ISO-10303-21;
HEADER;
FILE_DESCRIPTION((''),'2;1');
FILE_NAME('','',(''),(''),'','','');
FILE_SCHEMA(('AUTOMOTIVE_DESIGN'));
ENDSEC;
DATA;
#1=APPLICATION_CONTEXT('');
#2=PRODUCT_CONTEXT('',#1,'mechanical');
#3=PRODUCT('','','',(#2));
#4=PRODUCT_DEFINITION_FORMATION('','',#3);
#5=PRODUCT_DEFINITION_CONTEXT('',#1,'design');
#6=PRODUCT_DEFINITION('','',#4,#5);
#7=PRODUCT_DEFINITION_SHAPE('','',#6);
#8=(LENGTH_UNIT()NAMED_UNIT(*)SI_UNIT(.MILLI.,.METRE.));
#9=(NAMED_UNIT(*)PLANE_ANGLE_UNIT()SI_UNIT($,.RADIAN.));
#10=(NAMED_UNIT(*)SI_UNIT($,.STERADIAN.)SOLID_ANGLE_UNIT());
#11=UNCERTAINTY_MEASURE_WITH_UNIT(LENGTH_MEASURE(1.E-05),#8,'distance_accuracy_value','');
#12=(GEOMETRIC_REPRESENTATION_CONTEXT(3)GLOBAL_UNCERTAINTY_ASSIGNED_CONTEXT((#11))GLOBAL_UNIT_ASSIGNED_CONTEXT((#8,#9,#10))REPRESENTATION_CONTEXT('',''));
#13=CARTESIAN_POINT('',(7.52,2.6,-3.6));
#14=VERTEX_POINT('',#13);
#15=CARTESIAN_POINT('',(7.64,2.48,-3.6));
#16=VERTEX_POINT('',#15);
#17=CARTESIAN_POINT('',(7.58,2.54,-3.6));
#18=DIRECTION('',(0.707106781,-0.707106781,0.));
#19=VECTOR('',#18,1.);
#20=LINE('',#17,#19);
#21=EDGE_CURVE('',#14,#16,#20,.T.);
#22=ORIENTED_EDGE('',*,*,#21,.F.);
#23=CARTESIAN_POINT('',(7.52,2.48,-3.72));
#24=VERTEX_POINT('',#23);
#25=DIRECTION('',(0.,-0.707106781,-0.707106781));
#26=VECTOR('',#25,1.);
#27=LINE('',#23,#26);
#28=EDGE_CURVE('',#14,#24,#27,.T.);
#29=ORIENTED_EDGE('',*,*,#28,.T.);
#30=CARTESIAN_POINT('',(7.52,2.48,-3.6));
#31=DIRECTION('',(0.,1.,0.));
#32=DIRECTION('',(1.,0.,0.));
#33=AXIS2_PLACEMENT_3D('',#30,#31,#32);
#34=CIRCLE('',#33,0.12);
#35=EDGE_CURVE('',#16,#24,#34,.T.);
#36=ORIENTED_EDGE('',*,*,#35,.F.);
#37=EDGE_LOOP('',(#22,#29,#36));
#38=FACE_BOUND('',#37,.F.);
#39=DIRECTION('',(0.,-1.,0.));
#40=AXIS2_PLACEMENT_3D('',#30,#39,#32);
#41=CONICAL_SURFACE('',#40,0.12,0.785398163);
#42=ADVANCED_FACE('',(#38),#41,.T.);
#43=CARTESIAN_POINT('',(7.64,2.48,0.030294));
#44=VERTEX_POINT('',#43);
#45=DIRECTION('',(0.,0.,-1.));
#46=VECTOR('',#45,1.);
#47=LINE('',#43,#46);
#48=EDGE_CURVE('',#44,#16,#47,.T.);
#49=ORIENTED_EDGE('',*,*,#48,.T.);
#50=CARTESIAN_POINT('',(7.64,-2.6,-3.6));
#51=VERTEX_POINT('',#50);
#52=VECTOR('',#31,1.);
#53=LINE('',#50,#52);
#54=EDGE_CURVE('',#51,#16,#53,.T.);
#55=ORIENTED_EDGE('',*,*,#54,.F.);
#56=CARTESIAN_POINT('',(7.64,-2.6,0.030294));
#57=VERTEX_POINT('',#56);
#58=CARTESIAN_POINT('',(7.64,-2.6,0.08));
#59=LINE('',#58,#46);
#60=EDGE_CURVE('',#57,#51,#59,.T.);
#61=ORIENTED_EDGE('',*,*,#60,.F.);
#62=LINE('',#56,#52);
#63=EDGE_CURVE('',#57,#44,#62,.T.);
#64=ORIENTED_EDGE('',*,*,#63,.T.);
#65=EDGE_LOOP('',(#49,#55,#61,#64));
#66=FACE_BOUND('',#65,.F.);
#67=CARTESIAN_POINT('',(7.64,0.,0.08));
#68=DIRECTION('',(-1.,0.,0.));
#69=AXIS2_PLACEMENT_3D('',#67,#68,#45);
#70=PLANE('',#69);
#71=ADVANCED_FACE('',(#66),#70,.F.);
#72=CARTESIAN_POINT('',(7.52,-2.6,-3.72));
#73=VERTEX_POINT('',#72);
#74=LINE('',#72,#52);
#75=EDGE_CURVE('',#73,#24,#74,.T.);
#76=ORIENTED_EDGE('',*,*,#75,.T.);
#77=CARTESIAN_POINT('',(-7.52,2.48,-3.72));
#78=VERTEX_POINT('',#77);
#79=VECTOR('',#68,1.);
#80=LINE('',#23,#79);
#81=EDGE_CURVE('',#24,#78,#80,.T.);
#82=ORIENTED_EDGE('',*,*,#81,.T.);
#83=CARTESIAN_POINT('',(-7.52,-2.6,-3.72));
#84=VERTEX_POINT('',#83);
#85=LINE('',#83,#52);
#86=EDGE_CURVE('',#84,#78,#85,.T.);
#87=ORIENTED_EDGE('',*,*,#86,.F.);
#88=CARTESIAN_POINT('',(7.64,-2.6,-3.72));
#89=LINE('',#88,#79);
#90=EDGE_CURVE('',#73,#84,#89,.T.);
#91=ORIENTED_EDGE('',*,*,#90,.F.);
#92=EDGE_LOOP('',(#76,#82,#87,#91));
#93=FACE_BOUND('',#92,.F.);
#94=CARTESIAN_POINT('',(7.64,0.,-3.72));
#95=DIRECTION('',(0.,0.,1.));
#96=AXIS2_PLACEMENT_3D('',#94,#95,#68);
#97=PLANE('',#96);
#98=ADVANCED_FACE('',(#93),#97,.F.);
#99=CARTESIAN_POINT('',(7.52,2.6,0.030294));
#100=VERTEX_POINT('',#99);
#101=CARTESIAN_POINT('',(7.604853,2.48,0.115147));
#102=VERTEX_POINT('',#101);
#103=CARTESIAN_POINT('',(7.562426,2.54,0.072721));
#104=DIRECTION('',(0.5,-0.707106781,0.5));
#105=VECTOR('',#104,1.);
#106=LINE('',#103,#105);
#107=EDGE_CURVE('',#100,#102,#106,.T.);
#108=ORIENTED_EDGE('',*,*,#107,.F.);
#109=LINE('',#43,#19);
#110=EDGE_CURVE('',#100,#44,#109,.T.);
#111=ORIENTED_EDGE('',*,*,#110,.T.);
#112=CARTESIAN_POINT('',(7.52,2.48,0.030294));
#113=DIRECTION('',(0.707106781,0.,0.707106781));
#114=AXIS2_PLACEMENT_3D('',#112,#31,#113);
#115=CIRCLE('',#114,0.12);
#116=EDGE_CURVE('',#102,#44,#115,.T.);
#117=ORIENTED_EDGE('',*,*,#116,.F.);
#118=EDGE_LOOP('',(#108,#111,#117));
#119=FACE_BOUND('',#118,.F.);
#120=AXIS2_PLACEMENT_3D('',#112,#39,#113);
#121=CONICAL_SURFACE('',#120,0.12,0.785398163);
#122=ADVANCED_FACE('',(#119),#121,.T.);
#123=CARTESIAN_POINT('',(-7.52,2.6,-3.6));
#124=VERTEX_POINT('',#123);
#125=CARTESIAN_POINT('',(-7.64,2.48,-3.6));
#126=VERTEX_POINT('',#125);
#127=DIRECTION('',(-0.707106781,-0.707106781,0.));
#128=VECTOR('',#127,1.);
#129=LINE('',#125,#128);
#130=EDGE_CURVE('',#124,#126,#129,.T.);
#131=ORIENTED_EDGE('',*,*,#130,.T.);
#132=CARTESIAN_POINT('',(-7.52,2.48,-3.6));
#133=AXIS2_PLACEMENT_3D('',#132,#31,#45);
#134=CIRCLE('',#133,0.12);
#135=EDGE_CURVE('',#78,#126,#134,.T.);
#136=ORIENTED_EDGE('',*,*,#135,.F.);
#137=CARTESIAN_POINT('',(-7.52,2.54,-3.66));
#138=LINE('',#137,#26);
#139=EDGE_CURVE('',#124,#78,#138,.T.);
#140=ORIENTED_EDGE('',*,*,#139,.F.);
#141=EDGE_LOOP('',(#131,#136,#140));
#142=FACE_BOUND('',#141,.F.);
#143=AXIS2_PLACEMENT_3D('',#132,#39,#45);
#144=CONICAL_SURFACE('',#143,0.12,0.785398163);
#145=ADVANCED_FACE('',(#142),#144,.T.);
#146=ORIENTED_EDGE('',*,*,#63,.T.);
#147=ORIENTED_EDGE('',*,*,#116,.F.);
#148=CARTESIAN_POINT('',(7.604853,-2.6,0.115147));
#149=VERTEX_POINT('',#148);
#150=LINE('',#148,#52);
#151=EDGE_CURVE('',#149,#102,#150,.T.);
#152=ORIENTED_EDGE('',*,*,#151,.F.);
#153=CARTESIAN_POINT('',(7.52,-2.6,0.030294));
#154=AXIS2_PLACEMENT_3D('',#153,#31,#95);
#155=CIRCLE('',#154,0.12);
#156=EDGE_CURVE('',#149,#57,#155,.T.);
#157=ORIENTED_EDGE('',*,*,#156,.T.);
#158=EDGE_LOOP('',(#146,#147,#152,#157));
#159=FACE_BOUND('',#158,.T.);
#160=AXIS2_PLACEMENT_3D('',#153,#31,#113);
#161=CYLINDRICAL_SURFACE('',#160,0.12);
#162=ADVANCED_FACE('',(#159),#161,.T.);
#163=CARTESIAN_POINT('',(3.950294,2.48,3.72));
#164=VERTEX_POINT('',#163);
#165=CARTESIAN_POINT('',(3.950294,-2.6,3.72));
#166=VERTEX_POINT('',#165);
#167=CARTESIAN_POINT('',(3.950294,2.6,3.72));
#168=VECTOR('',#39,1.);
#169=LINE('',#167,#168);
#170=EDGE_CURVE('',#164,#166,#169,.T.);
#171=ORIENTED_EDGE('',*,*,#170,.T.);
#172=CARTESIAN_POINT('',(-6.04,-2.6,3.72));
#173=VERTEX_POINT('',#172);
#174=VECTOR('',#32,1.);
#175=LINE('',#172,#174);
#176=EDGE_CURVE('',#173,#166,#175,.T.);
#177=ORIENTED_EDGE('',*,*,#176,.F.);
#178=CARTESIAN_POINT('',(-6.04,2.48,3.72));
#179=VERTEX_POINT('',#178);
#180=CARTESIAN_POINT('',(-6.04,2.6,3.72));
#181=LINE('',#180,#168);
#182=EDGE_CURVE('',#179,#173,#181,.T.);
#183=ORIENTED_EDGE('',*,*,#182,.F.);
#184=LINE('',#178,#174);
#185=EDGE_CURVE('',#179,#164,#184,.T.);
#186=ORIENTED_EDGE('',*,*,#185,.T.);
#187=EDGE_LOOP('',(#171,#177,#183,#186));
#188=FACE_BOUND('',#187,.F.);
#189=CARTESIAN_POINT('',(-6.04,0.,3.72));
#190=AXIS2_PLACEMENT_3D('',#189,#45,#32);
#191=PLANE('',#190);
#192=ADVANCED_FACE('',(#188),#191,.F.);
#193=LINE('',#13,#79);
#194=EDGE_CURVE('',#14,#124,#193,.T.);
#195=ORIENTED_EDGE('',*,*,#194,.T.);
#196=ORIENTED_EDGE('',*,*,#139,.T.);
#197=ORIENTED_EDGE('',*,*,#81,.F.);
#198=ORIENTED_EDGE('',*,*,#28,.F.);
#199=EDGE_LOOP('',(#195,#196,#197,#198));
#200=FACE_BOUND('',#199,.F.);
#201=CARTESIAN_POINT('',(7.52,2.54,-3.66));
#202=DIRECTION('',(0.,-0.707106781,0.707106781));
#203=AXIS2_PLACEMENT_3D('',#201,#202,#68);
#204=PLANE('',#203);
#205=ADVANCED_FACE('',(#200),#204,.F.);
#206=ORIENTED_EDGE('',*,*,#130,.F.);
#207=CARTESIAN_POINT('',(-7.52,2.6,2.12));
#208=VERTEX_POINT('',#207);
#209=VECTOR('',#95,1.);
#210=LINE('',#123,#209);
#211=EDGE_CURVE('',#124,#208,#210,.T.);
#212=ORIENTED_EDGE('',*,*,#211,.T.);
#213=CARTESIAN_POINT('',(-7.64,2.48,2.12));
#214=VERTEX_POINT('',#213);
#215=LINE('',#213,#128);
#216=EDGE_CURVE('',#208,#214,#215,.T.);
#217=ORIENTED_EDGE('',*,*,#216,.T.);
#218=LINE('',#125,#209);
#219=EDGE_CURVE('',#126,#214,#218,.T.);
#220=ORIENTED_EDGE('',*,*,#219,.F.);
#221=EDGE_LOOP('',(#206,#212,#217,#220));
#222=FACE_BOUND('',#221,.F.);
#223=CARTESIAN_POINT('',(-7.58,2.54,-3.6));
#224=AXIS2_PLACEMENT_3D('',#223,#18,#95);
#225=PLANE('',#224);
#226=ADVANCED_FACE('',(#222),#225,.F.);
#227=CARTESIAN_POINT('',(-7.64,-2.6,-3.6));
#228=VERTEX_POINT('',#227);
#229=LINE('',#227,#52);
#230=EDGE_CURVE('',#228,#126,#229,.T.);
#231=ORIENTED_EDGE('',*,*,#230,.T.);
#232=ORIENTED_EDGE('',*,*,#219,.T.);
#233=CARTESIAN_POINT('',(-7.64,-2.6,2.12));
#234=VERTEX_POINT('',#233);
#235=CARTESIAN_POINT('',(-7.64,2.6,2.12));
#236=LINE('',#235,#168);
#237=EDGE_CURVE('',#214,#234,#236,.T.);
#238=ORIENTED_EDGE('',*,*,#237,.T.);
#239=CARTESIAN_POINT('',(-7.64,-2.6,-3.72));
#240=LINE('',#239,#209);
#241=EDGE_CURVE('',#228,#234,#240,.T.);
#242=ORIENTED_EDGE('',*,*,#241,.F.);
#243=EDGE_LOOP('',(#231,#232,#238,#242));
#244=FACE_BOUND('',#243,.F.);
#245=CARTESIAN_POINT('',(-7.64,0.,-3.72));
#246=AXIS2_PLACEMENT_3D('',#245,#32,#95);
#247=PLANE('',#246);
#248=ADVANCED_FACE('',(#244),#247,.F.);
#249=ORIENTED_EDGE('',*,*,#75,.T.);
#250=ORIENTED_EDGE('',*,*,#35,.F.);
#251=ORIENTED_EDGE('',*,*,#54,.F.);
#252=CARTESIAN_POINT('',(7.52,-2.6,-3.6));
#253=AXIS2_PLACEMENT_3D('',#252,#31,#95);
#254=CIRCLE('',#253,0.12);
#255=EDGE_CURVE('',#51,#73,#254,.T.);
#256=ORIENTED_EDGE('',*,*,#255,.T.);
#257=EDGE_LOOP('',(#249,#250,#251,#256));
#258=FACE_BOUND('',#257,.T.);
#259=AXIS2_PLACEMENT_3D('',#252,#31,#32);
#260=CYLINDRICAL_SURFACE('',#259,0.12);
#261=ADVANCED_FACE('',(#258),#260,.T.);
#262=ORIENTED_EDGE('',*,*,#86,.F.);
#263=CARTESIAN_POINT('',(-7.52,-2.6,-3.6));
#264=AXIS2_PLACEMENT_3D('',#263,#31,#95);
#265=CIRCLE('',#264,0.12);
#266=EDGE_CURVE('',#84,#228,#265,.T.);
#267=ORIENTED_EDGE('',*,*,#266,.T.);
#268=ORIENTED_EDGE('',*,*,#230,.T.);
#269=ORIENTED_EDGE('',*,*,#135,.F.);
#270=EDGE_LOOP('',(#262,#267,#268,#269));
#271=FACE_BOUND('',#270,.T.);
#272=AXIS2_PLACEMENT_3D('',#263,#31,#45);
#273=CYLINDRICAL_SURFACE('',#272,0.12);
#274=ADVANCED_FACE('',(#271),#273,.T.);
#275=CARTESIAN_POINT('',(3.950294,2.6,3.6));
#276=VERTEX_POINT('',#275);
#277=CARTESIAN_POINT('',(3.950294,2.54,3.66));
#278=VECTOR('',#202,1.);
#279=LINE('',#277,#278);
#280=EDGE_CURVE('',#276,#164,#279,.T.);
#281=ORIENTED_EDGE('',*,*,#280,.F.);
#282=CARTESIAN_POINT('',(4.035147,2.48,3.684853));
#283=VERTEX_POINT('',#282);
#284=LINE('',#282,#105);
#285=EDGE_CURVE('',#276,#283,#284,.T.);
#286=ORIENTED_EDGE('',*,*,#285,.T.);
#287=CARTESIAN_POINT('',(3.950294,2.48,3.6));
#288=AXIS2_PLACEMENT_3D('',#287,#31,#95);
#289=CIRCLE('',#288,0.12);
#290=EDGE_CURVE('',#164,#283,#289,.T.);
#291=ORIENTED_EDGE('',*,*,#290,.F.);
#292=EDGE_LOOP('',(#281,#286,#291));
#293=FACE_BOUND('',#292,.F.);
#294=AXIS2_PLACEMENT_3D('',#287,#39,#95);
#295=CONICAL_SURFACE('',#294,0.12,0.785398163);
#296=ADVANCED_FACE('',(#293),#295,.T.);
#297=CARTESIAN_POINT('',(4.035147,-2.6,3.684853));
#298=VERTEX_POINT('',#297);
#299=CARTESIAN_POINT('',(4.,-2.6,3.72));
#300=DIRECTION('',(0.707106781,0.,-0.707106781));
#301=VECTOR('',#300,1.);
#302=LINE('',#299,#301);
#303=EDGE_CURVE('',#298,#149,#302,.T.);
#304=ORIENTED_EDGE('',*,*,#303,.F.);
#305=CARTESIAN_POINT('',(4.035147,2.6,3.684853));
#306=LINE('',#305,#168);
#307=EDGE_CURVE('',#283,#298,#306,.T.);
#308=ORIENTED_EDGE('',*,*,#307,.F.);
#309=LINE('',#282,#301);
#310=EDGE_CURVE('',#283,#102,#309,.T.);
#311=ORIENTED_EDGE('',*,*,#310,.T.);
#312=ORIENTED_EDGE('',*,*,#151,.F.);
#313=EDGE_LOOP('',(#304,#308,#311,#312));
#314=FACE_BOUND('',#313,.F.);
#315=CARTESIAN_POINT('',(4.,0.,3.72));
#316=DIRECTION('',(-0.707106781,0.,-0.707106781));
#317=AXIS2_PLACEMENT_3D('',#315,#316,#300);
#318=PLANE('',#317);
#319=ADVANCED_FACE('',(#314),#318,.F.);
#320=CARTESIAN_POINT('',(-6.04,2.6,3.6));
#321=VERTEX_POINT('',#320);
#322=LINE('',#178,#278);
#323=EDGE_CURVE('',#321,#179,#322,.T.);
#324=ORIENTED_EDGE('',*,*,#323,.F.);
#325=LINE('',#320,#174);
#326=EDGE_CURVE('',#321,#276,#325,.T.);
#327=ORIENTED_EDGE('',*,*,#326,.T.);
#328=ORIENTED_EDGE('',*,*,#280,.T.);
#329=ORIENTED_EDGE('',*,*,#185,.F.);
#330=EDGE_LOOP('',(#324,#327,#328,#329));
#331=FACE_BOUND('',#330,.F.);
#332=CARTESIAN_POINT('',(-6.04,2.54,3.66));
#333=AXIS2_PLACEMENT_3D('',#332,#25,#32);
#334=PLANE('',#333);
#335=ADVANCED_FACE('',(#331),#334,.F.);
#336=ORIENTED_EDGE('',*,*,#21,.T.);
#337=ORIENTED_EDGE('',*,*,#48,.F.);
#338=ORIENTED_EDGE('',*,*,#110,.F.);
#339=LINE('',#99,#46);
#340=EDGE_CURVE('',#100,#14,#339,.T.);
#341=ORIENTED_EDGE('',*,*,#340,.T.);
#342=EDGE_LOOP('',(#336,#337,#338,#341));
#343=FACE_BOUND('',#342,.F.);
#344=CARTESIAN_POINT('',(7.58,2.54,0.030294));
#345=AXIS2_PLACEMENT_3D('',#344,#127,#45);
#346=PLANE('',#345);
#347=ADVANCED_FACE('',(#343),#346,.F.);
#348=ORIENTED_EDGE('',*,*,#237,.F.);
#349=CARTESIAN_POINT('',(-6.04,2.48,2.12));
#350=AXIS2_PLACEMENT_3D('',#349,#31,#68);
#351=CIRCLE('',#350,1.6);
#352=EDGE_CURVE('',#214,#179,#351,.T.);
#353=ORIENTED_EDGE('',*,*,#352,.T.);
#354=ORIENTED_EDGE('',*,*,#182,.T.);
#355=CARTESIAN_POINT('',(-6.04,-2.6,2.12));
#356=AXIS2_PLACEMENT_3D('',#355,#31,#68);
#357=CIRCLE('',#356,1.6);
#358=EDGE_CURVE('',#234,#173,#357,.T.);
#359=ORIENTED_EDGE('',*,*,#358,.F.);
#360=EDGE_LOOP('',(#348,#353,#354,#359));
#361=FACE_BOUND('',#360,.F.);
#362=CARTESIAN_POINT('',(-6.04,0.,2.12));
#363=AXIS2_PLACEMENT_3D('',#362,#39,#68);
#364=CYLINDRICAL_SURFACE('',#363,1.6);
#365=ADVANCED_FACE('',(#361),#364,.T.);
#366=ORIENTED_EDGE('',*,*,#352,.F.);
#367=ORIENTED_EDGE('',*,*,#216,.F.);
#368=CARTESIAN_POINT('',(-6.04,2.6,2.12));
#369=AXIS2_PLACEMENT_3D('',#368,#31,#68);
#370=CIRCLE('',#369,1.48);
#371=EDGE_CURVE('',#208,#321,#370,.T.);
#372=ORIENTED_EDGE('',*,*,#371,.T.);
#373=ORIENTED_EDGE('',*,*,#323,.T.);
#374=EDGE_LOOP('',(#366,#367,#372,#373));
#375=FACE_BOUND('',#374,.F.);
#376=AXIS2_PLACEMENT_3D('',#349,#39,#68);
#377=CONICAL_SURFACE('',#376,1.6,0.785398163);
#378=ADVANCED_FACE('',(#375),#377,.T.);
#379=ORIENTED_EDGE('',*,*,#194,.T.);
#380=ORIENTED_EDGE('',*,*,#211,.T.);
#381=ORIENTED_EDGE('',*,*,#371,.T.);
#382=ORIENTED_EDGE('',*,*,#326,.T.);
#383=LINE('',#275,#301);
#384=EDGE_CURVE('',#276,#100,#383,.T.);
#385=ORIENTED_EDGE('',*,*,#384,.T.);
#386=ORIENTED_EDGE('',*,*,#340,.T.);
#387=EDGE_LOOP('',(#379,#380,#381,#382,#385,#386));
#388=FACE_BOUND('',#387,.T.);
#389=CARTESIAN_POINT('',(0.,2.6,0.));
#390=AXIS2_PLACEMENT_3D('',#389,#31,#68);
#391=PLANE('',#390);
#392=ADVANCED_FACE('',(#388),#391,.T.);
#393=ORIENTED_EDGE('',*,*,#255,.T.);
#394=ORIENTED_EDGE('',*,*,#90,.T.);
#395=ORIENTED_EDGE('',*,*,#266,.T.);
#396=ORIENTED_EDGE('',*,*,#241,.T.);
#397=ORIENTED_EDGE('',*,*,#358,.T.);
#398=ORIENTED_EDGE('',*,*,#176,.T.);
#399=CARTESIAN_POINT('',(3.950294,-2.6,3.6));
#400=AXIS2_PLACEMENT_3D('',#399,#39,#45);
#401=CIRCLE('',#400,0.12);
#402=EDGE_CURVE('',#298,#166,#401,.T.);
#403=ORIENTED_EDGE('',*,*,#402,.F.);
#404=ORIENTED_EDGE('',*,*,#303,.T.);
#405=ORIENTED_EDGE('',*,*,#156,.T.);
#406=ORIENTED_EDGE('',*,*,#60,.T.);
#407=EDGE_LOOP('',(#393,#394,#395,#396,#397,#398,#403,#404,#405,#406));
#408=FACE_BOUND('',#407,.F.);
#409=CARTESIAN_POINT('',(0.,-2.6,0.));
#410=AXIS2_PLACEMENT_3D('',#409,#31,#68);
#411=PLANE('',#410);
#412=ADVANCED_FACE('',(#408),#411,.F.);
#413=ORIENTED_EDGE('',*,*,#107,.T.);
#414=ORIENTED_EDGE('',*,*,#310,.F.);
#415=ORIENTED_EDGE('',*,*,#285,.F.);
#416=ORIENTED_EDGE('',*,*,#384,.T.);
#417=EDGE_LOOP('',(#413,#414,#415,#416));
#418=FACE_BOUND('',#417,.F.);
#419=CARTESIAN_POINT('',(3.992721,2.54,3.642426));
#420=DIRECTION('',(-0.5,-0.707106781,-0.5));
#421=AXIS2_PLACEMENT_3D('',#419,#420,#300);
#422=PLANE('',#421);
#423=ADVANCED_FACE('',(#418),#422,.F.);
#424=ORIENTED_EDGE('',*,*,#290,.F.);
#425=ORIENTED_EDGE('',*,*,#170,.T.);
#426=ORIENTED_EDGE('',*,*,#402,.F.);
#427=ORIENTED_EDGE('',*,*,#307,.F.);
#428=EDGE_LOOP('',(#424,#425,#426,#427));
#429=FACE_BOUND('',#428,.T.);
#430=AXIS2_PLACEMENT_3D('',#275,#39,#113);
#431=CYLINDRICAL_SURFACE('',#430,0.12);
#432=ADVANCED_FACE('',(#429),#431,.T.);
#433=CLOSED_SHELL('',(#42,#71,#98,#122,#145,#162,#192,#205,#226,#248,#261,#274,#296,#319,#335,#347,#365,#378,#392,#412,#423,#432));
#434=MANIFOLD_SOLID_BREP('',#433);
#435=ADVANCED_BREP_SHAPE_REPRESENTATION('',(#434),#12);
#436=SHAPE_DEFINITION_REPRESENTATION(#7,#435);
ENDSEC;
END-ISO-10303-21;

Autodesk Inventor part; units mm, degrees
ref_plane "YZ Plane" through (0, 0, 0) normal (1, 0, 0) x (0, 1, 0)
ref_plane "XZ Plane" through (0, 0, 0) normal (0, 1, 0) x (-1, 0, 0)
ref_plane "XY Plane" through (0, 0, 0) normal (0, 0, 1) x (1, 0, 0)
sketch "Sketch2" plane through (0, 0, 0) normal (0, 1, 0) x (-1, 0, 0)
  line L0 (-7.64, 0.08) -> (-7.64, -3.72)
  line L1 (-7.64, -3.72) -> (7.64, -3.72)
  line L2 (7.64, -3.72) -> (7.64, 2.12)
  arc A0 (7.64, 2.12) -> (6.04, 3.72) centre (6.04, 2.12) ccw
  line L3 (6.04, 3.72) -> (-4, 3.72)
  line L4 (-4, 3.72) -> (-7.64, 0.08)
  line L5 (0, -3.72) -> (0, 3.72) construction
  point P0 (0, 0)
  point P1 (0, 0)
  dimension "d0" = 7.44
  dimension "d1" = 15.28
  dimension "d2" = 1.6
  dimension "d3" = 3.64
  dimension "d4" = 3.64
extrude "Extrusion1" add sketch "Sketch2" along normal mid plane 5.2
fillet "Fillet1" radius 0.12 4 edges at (4, 0, 3.72) (7.64, 0, 0.08) (7.64, 0, -3.72) (-7.64, 0, -3.72)
chamfer "Chamfer2" distance 0.12 angle 45 10 edges at (-7.1714, 2.6, 3.2514) (-1.0449, 2.6, 3.72) (3.9962, 2.6, 3.7109) (5.82, 2.6, 1.9) (7.6309, 2.6, 0.0762) (7.64, 2.6, -1.7849) (7.6049, 2.6, -3.6849) (0, 2.6, -3.72) (-7.6049, 2.6, -3.6849) (-7.64, 2.6, -0.74)
equation "\"d4\" = d3"
properties part number "11030-LtBluishGray" material "ABS Plastic"
